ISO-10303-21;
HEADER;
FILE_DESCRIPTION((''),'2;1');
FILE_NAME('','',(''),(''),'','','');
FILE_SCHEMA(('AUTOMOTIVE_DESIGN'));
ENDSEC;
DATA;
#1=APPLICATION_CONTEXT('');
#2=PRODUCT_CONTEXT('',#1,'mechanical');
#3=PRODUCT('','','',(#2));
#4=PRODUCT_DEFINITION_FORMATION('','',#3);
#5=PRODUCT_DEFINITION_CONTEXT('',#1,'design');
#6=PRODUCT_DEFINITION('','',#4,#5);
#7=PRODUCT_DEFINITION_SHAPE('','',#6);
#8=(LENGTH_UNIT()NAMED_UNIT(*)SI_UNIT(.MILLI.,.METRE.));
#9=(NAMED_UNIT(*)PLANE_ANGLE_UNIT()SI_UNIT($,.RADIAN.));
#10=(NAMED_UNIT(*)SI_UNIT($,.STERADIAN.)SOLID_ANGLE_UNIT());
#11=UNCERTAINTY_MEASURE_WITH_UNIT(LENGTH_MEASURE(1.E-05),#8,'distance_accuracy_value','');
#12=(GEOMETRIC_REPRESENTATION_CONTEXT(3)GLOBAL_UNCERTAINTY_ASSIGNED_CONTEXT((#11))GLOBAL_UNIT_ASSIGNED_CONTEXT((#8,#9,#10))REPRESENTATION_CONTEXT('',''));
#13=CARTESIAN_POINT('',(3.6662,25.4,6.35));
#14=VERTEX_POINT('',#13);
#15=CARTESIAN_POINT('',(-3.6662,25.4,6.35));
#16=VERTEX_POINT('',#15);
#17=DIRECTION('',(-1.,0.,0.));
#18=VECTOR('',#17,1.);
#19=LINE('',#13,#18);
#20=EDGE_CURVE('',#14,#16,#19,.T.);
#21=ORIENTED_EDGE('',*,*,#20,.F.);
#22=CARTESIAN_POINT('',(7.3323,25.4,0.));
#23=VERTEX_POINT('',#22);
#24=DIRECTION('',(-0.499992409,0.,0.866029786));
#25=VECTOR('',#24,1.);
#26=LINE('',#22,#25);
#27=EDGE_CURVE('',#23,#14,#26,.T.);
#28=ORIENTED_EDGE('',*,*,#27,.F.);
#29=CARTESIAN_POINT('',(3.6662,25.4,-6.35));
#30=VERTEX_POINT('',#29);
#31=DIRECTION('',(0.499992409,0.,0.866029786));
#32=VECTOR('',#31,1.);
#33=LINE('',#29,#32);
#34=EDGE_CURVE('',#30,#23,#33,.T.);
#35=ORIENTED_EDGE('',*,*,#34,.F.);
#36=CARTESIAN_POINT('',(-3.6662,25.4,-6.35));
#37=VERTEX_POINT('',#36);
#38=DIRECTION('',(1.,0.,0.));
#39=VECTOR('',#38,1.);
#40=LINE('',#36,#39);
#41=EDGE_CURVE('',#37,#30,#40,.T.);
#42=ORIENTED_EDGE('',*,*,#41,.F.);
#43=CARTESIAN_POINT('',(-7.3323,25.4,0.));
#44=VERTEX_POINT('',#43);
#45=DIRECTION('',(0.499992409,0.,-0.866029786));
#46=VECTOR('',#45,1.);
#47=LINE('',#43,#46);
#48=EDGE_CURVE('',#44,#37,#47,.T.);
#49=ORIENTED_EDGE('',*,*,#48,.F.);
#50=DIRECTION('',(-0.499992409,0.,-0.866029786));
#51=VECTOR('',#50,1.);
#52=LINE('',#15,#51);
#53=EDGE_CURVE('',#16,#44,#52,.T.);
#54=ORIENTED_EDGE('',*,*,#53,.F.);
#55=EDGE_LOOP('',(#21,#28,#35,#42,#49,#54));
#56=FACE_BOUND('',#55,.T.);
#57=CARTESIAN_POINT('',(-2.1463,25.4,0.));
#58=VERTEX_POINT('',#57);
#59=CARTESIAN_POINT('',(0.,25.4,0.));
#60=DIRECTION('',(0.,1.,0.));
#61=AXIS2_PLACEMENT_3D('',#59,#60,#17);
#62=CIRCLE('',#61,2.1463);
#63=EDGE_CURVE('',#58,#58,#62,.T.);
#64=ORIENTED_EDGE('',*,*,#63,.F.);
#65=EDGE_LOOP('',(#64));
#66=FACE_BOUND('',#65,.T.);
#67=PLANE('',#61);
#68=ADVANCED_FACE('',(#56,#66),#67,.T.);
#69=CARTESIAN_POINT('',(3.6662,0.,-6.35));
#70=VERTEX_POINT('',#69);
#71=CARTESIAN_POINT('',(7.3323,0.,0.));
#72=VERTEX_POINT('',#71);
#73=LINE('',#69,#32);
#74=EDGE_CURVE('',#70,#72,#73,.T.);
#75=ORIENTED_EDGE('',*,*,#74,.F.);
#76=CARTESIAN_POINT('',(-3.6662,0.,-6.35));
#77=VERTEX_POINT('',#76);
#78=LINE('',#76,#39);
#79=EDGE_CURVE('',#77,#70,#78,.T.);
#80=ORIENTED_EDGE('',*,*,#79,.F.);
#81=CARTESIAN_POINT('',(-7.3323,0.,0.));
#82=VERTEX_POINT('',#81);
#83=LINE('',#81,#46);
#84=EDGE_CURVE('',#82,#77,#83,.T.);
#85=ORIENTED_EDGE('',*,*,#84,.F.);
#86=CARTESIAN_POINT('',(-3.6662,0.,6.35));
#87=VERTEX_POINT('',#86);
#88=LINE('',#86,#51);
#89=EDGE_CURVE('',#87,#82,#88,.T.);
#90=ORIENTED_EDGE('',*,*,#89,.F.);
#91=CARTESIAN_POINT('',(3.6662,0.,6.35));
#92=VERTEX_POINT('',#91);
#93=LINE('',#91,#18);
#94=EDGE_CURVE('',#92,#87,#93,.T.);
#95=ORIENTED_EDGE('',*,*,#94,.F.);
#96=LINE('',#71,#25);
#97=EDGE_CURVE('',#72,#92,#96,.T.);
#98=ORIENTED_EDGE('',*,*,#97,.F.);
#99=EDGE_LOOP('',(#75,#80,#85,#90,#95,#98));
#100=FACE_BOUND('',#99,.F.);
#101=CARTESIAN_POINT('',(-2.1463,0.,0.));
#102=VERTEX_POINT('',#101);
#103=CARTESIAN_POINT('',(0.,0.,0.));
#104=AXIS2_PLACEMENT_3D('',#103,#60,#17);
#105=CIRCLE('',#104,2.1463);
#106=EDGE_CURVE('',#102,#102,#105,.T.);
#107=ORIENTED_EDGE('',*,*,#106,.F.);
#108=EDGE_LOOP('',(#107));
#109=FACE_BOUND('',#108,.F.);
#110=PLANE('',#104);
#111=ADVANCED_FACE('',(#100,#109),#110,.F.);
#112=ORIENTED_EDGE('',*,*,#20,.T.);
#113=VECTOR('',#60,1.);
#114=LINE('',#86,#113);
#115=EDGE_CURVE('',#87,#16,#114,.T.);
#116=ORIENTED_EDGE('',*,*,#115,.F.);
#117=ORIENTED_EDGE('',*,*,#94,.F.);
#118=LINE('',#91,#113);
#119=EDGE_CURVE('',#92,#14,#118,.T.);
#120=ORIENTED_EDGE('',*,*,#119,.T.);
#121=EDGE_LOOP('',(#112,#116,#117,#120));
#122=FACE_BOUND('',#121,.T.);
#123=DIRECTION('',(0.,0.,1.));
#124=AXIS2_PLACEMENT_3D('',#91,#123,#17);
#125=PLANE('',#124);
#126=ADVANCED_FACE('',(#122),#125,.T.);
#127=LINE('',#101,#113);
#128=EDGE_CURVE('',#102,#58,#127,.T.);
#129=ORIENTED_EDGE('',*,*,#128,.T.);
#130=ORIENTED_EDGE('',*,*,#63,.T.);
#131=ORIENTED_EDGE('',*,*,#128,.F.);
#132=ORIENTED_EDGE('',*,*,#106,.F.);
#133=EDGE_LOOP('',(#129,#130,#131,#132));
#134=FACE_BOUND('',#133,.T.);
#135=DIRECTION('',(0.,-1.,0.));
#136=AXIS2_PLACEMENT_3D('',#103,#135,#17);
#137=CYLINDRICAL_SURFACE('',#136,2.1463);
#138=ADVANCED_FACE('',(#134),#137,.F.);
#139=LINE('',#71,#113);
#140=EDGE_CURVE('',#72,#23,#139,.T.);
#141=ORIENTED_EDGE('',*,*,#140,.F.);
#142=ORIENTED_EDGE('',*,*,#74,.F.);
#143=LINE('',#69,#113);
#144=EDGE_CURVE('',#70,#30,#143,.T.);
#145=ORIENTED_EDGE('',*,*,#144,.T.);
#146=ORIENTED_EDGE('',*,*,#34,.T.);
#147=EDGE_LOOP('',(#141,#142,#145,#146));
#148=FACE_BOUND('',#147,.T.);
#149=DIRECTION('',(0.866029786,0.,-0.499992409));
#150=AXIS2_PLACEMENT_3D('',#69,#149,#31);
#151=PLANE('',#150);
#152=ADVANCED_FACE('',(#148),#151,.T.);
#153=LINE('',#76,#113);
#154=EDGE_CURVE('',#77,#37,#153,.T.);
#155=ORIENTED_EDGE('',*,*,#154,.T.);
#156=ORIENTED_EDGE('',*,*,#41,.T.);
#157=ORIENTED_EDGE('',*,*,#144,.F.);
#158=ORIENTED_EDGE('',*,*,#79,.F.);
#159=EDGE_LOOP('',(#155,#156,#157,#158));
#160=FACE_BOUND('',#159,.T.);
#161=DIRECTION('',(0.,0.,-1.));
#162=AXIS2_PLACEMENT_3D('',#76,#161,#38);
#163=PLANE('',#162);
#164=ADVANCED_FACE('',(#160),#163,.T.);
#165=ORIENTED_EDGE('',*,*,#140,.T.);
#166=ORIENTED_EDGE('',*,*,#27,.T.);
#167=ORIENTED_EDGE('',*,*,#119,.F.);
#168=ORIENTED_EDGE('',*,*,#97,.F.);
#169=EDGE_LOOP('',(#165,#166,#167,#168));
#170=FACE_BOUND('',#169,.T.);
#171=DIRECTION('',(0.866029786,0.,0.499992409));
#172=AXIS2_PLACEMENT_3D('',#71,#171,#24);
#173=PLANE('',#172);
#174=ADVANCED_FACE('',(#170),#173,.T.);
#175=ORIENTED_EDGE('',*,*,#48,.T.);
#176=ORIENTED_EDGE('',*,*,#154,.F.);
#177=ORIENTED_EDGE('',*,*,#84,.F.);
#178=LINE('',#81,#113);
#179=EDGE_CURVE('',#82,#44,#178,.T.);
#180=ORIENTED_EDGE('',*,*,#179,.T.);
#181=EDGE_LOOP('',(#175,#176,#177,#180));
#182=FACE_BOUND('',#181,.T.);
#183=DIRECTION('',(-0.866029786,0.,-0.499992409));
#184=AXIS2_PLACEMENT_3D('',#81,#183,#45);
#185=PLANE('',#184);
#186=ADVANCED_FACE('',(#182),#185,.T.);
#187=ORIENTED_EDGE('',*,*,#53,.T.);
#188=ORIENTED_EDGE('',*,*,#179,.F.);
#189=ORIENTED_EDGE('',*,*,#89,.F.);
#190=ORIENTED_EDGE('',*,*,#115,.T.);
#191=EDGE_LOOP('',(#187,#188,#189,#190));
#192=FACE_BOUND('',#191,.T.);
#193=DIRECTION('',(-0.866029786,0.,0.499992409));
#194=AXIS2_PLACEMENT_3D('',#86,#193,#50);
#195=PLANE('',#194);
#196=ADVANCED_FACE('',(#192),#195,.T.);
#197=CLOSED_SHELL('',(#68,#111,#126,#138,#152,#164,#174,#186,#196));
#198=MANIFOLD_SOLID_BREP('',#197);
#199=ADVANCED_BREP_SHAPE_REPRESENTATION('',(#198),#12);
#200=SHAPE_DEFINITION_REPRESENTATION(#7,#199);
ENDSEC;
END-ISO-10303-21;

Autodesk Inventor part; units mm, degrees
ref_plane "YZ Plane" through (0, 0, 0) normal (1, 0, 0) x (0, 1, 0)
ref_plane "XZ Plane" through (0, 0, 0) normal (0, 1, 0) x (-1, 0, 0)
ref_plane "XY Plane" through (0, 0, 0) normal (0, 0, 1) x (1, 0, 0)
sketch "Sketch1" plane through (0, 0, 0) normal (0, 1, 0) x (-1, 0, 0)
  line L0 (-3.6662, 6.35) -> (3.6662, 6.35)
  line L1 (3.6662, 6.35) -> (7.3323, 0)
  line L2 (7.3323, 0) -> (3.6662, -6.35)
  line L3 (3.6662, -6.35) -> (-3.6662, -6.35)
  line L4 (-3.6662, -6.35) -> (-7.3323, 0)
  line L5 (-7.3323, 0) -> (-3.6662, 6.35)
  circle A0 centre (0, 0) radius 2.1463
  dimension "d0" = 12.7
  dimension "d3" = 4.2926
extrude "Extrusion1" add sketch "Sketch1" along normal blind 25.4
thread "Thread1" size "10-32 UNF" class "2B" standard "ANSI Unified Screw Threads" full length
properties part number "OUTK_004_PlanetaryShaft" material "Aluminum 6061"
